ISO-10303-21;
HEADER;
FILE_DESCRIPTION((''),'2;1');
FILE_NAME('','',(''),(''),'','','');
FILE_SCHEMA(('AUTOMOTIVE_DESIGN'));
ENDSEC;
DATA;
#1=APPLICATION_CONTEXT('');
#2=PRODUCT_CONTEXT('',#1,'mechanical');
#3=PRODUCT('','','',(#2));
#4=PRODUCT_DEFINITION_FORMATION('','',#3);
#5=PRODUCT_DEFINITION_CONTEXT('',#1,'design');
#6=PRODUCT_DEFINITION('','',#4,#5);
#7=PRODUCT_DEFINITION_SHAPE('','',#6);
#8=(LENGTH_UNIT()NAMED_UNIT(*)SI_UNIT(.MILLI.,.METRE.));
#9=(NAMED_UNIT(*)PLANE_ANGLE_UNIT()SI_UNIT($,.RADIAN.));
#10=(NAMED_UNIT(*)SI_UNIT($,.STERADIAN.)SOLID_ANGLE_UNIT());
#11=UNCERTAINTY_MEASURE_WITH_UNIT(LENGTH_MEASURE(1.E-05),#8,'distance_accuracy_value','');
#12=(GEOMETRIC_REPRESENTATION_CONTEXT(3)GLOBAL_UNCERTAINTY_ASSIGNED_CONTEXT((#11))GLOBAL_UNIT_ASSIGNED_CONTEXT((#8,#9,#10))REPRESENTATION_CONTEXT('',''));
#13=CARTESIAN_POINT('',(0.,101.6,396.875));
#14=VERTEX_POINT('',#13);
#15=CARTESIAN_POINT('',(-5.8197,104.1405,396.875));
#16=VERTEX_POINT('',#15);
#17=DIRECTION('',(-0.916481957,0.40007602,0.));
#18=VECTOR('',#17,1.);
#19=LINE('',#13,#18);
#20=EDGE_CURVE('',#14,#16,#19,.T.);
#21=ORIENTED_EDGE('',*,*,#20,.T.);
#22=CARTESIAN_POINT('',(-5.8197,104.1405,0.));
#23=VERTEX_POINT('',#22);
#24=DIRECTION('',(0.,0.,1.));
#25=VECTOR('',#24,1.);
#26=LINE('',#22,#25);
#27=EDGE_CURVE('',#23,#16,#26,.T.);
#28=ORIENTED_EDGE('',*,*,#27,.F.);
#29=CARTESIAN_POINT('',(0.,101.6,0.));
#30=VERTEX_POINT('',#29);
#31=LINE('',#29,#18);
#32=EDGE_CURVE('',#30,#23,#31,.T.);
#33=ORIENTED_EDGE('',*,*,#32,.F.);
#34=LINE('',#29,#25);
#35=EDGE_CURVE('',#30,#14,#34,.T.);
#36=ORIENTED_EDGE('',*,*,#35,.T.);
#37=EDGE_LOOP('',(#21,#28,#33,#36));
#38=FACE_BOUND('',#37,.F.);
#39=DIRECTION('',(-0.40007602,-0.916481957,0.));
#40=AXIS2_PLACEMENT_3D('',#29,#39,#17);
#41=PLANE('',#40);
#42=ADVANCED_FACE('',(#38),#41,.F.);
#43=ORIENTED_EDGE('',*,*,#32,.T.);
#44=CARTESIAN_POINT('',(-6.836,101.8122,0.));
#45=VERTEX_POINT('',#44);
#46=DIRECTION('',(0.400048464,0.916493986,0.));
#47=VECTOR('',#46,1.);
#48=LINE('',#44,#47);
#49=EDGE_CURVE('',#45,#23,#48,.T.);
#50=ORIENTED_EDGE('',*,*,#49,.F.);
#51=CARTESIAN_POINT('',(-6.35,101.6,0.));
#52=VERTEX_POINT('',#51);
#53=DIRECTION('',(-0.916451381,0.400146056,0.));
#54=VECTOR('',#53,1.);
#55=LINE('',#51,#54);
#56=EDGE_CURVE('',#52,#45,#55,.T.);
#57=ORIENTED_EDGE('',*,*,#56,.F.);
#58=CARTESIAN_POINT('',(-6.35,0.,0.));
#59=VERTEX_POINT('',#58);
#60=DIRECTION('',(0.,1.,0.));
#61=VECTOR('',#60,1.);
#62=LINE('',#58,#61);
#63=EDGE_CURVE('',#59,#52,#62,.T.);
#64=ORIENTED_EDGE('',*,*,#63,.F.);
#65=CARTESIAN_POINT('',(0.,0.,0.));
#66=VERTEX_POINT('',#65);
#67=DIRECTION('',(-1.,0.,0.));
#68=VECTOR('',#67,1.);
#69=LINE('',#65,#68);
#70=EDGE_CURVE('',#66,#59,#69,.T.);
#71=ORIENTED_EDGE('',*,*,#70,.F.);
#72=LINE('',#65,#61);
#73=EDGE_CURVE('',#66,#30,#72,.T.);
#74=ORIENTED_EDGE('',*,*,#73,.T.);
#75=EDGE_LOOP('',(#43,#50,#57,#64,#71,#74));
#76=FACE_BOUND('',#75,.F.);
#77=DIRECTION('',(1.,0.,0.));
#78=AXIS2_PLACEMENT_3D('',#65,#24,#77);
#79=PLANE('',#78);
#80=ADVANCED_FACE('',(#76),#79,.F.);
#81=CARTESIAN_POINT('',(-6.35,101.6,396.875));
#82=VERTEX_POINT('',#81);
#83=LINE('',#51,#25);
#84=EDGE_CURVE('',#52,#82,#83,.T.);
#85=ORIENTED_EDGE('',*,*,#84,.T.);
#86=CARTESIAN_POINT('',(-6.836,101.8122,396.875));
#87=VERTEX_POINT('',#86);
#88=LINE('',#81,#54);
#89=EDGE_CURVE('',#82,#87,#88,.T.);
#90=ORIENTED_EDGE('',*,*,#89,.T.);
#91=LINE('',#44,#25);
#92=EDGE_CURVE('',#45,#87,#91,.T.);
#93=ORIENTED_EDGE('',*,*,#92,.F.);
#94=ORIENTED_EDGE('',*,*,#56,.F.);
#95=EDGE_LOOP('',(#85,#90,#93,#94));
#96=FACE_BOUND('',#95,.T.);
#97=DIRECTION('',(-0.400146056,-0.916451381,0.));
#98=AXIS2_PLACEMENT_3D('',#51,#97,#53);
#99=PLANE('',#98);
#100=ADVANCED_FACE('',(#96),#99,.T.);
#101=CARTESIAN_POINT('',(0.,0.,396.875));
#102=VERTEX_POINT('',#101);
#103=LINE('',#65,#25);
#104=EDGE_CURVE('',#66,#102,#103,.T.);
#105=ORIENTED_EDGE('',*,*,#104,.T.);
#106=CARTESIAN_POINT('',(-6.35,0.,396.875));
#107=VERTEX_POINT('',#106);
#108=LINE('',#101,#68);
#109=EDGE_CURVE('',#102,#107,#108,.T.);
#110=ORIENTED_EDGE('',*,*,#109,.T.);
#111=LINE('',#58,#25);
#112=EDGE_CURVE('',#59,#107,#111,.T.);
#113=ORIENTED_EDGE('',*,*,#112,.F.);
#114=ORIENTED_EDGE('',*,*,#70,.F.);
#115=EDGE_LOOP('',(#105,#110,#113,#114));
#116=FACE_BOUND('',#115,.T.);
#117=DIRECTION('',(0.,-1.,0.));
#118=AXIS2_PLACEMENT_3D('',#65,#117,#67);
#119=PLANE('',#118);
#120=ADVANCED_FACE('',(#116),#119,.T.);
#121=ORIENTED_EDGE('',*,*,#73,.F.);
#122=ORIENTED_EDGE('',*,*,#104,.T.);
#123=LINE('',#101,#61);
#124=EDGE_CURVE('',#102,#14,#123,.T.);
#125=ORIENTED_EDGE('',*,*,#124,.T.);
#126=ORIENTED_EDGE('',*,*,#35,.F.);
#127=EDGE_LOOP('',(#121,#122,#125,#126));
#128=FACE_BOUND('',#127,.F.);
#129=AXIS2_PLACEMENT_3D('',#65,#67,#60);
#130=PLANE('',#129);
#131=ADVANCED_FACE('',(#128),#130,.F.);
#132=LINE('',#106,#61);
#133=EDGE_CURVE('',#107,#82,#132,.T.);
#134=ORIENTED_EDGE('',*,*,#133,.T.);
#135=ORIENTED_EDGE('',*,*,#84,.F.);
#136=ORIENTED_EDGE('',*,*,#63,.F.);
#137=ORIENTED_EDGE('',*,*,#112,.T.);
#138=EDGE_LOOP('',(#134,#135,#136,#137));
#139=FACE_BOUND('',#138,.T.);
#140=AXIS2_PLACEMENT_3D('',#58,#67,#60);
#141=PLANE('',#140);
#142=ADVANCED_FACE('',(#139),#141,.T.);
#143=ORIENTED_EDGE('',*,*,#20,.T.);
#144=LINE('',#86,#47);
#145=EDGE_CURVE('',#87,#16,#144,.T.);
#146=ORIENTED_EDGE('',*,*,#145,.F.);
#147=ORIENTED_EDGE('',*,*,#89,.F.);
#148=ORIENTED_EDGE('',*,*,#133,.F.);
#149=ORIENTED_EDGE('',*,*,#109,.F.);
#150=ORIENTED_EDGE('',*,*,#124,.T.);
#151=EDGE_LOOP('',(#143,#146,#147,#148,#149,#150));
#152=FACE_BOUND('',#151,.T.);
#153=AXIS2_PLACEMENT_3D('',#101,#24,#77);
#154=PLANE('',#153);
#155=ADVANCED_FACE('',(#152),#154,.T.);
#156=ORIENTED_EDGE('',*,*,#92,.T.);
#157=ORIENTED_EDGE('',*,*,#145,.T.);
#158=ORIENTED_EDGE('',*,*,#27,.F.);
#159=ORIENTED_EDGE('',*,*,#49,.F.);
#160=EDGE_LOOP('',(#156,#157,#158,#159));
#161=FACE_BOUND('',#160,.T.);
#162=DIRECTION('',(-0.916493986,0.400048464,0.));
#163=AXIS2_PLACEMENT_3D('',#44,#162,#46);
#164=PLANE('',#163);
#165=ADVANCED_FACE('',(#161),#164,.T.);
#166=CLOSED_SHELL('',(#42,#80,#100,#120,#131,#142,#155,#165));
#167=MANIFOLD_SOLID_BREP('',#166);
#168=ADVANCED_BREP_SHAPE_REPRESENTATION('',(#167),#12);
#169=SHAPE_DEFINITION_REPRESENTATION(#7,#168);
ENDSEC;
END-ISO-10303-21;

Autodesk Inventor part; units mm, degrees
ref_plane "YZ Plane" through (0, 0, 0) normal (1, 0, 0) x (0, 1, 0)
ref_plane "XZ Plane" through (0, 0, 0) normal (0, 1, 0) x (-1, 0, 0)
ref_plane "XY Plane" through (0, 0, 0) normal (0, 0, 1) x (1, 0, 0)
sketch "Sketch1" plane through (0, 0, 0) normal (0, 0, 1) x (1, 0, 0)
  point P0 (0, 0)
sketch "Sketch2" plane through (0, 0, 0) normal (0, 0, 1) x (1, 0, 0)
  line L0 (0, 0) -> (0, 101.6)
  line L1 (0, 0) -> (-6.35, 0)
  line L2 (-6.35, 0) -> (-6.35, 101.6)
  line L3 (0, 101.6) -> (-5.8197, 104.1405)
  line L4 (0, 101.6) -> (6.35, 101.6) construction
  line L5 (-6.35, 101.6) -> (-6.836, 101.8122)
  line L6 (-6.836, 101.8122) -> (-5.8197, 104.1405)
  dimension "d0" = 101.6
  dimension "d1" = 6.35
  dimension "d2" = 6.35
  dimension "d3" = 156.417
extrude "Extrusion1" add sketch "Sketch2" along normal blind 396.875
properties part number "Slidev2" material "Polycarbonate, Clear"
